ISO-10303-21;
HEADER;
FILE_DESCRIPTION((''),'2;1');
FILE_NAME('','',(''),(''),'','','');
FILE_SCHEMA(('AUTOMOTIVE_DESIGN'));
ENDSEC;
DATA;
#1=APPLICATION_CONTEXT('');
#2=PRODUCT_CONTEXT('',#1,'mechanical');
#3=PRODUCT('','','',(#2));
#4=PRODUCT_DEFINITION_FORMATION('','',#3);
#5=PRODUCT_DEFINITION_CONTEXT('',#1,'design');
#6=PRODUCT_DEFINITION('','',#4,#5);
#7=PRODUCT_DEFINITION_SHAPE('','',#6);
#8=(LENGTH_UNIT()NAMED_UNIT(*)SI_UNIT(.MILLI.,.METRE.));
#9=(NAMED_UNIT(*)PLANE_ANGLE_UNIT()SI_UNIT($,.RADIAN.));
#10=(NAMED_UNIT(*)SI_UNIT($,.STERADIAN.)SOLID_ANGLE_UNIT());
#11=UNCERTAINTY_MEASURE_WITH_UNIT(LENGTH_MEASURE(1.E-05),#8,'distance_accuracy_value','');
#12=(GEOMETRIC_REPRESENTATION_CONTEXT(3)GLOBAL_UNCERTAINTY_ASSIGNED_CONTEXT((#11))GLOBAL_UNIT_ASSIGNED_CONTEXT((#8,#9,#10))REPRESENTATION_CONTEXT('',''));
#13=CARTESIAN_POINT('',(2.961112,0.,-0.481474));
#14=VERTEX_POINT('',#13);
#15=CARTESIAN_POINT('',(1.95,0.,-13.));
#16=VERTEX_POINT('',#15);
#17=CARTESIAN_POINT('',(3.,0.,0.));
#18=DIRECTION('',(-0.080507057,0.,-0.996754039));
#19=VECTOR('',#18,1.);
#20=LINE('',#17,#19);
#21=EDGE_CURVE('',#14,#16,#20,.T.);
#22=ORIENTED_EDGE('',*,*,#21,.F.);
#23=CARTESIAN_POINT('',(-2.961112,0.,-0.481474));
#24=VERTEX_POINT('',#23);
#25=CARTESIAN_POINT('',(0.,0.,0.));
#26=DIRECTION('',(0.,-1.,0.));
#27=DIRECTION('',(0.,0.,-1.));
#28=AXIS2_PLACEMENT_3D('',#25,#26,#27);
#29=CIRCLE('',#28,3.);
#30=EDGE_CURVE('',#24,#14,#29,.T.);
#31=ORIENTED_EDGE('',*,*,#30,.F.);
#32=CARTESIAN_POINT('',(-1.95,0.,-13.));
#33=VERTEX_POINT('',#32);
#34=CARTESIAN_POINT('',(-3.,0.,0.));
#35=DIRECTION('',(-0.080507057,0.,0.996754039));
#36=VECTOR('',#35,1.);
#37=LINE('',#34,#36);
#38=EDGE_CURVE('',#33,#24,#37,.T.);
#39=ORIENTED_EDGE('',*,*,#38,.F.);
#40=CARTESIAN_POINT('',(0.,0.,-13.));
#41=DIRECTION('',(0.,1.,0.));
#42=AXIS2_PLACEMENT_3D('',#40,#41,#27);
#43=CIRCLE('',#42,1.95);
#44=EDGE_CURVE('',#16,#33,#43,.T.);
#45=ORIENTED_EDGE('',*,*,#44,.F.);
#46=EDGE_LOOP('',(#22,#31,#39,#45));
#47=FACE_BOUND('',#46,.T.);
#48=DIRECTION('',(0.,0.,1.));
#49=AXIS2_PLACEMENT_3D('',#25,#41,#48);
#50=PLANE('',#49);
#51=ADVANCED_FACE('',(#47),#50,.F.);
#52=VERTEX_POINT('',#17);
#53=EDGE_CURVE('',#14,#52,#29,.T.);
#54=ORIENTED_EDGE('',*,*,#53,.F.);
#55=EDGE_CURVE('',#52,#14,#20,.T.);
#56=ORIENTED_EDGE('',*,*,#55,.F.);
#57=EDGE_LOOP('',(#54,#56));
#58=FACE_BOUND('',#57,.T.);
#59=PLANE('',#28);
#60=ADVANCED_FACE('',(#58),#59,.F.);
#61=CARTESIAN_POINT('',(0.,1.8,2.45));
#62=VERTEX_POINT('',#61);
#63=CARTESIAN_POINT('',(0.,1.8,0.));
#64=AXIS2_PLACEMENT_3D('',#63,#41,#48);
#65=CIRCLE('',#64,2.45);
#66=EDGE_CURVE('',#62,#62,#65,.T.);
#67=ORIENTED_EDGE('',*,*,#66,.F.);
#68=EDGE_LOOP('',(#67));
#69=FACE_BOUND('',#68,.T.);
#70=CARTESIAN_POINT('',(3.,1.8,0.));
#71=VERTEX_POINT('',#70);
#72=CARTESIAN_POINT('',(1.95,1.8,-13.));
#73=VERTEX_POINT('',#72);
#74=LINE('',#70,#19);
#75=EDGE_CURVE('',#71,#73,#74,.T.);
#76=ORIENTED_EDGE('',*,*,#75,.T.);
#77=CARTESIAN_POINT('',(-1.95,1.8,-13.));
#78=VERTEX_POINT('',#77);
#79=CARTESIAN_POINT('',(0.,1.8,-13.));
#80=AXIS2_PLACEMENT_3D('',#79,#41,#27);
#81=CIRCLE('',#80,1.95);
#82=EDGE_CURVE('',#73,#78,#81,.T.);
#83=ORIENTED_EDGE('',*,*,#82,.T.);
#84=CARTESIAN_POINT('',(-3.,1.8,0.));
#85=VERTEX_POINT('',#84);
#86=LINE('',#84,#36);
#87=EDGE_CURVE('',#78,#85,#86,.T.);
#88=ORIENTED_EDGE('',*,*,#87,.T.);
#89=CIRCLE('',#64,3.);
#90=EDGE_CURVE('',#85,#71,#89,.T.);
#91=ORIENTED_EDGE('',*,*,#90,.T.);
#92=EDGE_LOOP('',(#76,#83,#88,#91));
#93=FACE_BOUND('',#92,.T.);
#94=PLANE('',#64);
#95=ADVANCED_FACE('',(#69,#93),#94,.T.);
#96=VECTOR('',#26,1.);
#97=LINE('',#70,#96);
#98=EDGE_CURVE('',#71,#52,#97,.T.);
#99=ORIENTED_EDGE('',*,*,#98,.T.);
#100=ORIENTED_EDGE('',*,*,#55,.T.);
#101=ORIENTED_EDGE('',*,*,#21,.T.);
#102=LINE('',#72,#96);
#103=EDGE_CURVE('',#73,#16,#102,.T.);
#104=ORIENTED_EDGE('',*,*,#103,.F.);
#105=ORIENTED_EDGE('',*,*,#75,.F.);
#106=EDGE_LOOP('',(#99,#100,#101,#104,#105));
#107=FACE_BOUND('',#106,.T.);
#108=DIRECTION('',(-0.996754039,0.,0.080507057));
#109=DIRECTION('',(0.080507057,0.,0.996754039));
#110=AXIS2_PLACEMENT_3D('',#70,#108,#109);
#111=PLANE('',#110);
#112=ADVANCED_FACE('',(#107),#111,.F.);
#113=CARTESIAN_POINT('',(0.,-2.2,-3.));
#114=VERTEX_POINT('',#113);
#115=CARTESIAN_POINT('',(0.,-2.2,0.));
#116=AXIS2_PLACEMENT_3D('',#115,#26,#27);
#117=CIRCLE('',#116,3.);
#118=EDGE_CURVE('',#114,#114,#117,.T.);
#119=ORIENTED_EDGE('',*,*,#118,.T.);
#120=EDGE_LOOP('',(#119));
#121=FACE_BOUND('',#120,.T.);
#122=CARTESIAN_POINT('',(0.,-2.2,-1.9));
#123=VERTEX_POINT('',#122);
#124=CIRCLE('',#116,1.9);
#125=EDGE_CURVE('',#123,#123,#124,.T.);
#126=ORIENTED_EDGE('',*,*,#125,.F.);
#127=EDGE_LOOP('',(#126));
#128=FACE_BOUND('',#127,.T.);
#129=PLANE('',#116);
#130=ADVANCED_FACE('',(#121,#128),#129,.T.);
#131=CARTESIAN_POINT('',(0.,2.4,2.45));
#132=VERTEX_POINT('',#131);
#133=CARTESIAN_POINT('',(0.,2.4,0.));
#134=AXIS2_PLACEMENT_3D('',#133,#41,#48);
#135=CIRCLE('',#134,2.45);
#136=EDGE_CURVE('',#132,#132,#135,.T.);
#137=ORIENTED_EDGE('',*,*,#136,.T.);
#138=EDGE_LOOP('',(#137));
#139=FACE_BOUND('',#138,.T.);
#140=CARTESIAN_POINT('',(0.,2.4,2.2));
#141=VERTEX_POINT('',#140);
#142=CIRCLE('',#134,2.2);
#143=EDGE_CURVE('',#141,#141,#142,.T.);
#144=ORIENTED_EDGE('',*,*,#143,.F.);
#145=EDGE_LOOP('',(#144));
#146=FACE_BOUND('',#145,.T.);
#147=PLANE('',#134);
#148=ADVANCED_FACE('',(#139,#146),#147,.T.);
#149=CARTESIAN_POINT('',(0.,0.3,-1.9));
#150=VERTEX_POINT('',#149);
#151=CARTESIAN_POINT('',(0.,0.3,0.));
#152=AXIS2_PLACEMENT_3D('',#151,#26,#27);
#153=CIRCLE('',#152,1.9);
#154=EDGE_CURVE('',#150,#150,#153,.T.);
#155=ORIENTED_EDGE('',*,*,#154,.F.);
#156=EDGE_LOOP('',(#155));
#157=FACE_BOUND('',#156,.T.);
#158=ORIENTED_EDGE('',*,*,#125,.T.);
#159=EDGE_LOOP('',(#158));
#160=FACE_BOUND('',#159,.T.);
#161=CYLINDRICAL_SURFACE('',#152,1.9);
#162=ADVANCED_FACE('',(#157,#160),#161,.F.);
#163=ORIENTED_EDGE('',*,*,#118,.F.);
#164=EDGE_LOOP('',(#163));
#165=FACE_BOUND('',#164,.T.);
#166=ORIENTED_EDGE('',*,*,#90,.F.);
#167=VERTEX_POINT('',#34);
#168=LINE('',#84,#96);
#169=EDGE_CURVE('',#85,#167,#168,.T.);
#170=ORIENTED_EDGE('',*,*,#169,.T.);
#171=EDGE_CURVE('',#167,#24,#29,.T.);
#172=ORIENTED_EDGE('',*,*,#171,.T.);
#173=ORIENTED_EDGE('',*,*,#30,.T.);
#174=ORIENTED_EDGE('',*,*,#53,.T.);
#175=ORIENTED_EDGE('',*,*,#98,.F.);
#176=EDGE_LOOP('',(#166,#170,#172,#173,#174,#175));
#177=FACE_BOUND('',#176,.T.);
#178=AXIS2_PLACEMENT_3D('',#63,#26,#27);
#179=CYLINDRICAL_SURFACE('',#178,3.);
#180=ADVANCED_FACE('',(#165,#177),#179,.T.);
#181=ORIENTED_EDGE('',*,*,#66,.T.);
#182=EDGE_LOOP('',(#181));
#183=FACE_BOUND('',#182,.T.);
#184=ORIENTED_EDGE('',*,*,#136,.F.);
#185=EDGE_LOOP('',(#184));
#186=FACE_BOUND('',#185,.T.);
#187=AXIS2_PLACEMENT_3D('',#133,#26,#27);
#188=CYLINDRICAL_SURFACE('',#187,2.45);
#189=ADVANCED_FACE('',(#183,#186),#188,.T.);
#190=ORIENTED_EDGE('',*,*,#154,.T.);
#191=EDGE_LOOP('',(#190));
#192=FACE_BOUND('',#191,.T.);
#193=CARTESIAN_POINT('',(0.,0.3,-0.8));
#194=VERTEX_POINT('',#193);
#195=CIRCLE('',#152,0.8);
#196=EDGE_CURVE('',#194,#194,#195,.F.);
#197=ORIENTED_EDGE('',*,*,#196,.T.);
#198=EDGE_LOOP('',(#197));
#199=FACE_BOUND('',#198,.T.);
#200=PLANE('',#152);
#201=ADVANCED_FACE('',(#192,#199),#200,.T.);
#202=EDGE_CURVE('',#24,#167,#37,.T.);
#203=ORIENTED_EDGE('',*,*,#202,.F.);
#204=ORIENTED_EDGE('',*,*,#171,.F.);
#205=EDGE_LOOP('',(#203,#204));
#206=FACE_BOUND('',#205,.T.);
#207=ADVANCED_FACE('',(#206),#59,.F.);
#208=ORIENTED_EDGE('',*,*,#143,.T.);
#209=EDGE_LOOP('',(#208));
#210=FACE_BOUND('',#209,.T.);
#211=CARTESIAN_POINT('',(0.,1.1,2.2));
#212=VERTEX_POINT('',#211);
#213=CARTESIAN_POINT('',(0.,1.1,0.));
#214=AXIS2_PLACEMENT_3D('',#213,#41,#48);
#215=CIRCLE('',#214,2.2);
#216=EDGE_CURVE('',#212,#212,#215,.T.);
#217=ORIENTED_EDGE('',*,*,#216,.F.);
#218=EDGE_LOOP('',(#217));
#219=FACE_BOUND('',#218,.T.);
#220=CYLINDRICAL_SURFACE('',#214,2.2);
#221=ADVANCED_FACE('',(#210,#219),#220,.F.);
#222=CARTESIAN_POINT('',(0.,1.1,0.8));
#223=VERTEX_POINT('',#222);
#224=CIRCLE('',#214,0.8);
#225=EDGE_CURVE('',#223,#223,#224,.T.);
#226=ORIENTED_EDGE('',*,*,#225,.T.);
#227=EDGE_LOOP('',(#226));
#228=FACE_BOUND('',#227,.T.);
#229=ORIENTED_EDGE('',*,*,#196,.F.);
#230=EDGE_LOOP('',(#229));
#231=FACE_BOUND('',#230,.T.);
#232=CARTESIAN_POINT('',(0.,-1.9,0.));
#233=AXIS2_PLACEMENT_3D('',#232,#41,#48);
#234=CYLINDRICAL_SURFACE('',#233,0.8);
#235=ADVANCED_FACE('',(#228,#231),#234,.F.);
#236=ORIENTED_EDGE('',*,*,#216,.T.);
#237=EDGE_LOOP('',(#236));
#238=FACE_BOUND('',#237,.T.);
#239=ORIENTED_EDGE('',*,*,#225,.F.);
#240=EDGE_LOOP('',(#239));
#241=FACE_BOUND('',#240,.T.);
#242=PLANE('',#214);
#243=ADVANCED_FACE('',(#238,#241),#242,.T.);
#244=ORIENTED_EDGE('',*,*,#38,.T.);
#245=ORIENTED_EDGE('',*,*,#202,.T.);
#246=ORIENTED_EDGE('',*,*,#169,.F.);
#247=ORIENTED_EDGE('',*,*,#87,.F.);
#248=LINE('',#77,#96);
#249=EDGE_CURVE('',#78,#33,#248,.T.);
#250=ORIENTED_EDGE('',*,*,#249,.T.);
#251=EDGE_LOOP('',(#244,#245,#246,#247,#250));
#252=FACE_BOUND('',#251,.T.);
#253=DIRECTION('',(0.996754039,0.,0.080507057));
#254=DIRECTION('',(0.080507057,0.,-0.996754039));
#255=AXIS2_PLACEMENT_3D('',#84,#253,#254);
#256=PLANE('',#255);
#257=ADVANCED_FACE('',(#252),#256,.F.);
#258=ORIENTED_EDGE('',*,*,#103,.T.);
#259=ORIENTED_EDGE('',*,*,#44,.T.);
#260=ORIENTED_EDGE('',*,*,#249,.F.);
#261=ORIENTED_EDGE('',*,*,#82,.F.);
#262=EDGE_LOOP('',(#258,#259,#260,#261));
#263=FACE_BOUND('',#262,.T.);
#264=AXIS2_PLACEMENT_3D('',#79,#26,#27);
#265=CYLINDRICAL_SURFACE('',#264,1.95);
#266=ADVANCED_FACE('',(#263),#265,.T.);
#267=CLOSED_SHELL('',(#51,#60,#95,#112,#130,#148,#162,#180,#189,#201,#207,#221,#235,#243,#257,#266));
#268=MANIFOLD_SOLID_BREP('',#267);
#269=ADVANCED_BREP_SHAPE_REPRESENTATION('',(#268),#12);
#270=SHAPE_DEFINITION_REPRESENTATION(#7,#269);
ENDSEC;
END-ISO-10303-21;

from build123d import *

# Parameters (mm, degrees)
BOSS_EXTRUDE3_DEPTH = 1.8
SKETCH3_R           = 2.45
BOSS_EXTRUDE4_DEPTH = 0.6
SKETCH4_R           = 2.2
CUT_EXTRUDE1_DEPTH  = 1.3
SKETCH5_R           = 0.8
CUT_EXTRUDE2_DEPTH  = 3
BOSS_EXTRUDE5_START = 2.2
SKETCH6_R           = 3
BOSS_EXTRUDE5_DEPTH = 2.2
SKETCH7_R           = 1.9
CUT_EXTRUDE3_DEPTH  = 2.5


with BuildPart() as part:
    # Sketch1 → Boss-Extrude3 (new body)
    with BuildSketch(Plane(origin=(0, 0, 0), x_dir=(1, 0, 0), z_dir=(0, 1, 0))):
        with BuildLine():
            Line((-3, 0), (-1.95, 13))
            ThreePointArc((-1.95, 13), (0, 14.95), (1.95, 13))
            Line((1.95, 13), (3, 0))
            ThreePointArc((3, 0), (0, -3), (-3, 0))
        make_face()
    extrude(amount=BOSS_EXTRUDE3_DEPTH)

    # Sketch3 → Boss-Extrude4 (add)
    with BuildSketch(Plane(origin=(0, 1.8, 0), x_dir=(1, 0, 0), z_dir=(0, 1, 0))):
        with Locations(Location((0, 0, 0), (0, 0, 270))):
            Circle(SKETCH3_R)
    extrude(amount=BOSS_EXTRUDE4_DEPTH)

    # Sketch4 → Cut-Extrude1 (cut)
    with BuildSketch(Plane(origin=(0, 2.4, 0), x_dir=(1, 0, 0), z_dir=(0, 1, 0))):
        with Locations(Location((0, 0, 0), (0, 0, 270))):
            Circle(SKETCH4_R)
    extrude(amount=-CUT_EXTRUDE1_DEPTH, mode=Mode.SUBTRACT)

    # Sketch5 → Cut-Extrude2 (cut)
    with BuildSketch(Plane(origin=(0, 1.1, 0), x_dir=(1, 0, 0), z_dir=(0, 1, 0))):
        with Locations(Location((0, 0, 0), (0, 0, 270))):
            Circle(SKETCH5_R)
    extrude(amount=-CUT_EXTRUDE2_DEPTH, mode=Mode.SUBTRACT)

    # Sketch6 → Boss-Extrude5 (add)
    with BuildSketch(Plane.XZ.offset(BOSS_EXTRUDE5_START)):
        with Locations(Location((0, 0, 0), (0, 0, 270))):
            Circle(SKETCH6_R)
    extrude(amount=-BOSS_EXTRUDE5_DEPTH)

    # Sketch7 → Cut-Extrude3 (cut)
    with BuildSketch(Plane.XZ.offset(2.2)):
        with Locations(Location((0, 0, 0), (0, 0, 270))):
            Circle(SKETCH7_R)
    extrude(amount=-CUT_EXTRUDE3_DEPTH, mode=Mode.SUBTRACT)


solid = part.part
